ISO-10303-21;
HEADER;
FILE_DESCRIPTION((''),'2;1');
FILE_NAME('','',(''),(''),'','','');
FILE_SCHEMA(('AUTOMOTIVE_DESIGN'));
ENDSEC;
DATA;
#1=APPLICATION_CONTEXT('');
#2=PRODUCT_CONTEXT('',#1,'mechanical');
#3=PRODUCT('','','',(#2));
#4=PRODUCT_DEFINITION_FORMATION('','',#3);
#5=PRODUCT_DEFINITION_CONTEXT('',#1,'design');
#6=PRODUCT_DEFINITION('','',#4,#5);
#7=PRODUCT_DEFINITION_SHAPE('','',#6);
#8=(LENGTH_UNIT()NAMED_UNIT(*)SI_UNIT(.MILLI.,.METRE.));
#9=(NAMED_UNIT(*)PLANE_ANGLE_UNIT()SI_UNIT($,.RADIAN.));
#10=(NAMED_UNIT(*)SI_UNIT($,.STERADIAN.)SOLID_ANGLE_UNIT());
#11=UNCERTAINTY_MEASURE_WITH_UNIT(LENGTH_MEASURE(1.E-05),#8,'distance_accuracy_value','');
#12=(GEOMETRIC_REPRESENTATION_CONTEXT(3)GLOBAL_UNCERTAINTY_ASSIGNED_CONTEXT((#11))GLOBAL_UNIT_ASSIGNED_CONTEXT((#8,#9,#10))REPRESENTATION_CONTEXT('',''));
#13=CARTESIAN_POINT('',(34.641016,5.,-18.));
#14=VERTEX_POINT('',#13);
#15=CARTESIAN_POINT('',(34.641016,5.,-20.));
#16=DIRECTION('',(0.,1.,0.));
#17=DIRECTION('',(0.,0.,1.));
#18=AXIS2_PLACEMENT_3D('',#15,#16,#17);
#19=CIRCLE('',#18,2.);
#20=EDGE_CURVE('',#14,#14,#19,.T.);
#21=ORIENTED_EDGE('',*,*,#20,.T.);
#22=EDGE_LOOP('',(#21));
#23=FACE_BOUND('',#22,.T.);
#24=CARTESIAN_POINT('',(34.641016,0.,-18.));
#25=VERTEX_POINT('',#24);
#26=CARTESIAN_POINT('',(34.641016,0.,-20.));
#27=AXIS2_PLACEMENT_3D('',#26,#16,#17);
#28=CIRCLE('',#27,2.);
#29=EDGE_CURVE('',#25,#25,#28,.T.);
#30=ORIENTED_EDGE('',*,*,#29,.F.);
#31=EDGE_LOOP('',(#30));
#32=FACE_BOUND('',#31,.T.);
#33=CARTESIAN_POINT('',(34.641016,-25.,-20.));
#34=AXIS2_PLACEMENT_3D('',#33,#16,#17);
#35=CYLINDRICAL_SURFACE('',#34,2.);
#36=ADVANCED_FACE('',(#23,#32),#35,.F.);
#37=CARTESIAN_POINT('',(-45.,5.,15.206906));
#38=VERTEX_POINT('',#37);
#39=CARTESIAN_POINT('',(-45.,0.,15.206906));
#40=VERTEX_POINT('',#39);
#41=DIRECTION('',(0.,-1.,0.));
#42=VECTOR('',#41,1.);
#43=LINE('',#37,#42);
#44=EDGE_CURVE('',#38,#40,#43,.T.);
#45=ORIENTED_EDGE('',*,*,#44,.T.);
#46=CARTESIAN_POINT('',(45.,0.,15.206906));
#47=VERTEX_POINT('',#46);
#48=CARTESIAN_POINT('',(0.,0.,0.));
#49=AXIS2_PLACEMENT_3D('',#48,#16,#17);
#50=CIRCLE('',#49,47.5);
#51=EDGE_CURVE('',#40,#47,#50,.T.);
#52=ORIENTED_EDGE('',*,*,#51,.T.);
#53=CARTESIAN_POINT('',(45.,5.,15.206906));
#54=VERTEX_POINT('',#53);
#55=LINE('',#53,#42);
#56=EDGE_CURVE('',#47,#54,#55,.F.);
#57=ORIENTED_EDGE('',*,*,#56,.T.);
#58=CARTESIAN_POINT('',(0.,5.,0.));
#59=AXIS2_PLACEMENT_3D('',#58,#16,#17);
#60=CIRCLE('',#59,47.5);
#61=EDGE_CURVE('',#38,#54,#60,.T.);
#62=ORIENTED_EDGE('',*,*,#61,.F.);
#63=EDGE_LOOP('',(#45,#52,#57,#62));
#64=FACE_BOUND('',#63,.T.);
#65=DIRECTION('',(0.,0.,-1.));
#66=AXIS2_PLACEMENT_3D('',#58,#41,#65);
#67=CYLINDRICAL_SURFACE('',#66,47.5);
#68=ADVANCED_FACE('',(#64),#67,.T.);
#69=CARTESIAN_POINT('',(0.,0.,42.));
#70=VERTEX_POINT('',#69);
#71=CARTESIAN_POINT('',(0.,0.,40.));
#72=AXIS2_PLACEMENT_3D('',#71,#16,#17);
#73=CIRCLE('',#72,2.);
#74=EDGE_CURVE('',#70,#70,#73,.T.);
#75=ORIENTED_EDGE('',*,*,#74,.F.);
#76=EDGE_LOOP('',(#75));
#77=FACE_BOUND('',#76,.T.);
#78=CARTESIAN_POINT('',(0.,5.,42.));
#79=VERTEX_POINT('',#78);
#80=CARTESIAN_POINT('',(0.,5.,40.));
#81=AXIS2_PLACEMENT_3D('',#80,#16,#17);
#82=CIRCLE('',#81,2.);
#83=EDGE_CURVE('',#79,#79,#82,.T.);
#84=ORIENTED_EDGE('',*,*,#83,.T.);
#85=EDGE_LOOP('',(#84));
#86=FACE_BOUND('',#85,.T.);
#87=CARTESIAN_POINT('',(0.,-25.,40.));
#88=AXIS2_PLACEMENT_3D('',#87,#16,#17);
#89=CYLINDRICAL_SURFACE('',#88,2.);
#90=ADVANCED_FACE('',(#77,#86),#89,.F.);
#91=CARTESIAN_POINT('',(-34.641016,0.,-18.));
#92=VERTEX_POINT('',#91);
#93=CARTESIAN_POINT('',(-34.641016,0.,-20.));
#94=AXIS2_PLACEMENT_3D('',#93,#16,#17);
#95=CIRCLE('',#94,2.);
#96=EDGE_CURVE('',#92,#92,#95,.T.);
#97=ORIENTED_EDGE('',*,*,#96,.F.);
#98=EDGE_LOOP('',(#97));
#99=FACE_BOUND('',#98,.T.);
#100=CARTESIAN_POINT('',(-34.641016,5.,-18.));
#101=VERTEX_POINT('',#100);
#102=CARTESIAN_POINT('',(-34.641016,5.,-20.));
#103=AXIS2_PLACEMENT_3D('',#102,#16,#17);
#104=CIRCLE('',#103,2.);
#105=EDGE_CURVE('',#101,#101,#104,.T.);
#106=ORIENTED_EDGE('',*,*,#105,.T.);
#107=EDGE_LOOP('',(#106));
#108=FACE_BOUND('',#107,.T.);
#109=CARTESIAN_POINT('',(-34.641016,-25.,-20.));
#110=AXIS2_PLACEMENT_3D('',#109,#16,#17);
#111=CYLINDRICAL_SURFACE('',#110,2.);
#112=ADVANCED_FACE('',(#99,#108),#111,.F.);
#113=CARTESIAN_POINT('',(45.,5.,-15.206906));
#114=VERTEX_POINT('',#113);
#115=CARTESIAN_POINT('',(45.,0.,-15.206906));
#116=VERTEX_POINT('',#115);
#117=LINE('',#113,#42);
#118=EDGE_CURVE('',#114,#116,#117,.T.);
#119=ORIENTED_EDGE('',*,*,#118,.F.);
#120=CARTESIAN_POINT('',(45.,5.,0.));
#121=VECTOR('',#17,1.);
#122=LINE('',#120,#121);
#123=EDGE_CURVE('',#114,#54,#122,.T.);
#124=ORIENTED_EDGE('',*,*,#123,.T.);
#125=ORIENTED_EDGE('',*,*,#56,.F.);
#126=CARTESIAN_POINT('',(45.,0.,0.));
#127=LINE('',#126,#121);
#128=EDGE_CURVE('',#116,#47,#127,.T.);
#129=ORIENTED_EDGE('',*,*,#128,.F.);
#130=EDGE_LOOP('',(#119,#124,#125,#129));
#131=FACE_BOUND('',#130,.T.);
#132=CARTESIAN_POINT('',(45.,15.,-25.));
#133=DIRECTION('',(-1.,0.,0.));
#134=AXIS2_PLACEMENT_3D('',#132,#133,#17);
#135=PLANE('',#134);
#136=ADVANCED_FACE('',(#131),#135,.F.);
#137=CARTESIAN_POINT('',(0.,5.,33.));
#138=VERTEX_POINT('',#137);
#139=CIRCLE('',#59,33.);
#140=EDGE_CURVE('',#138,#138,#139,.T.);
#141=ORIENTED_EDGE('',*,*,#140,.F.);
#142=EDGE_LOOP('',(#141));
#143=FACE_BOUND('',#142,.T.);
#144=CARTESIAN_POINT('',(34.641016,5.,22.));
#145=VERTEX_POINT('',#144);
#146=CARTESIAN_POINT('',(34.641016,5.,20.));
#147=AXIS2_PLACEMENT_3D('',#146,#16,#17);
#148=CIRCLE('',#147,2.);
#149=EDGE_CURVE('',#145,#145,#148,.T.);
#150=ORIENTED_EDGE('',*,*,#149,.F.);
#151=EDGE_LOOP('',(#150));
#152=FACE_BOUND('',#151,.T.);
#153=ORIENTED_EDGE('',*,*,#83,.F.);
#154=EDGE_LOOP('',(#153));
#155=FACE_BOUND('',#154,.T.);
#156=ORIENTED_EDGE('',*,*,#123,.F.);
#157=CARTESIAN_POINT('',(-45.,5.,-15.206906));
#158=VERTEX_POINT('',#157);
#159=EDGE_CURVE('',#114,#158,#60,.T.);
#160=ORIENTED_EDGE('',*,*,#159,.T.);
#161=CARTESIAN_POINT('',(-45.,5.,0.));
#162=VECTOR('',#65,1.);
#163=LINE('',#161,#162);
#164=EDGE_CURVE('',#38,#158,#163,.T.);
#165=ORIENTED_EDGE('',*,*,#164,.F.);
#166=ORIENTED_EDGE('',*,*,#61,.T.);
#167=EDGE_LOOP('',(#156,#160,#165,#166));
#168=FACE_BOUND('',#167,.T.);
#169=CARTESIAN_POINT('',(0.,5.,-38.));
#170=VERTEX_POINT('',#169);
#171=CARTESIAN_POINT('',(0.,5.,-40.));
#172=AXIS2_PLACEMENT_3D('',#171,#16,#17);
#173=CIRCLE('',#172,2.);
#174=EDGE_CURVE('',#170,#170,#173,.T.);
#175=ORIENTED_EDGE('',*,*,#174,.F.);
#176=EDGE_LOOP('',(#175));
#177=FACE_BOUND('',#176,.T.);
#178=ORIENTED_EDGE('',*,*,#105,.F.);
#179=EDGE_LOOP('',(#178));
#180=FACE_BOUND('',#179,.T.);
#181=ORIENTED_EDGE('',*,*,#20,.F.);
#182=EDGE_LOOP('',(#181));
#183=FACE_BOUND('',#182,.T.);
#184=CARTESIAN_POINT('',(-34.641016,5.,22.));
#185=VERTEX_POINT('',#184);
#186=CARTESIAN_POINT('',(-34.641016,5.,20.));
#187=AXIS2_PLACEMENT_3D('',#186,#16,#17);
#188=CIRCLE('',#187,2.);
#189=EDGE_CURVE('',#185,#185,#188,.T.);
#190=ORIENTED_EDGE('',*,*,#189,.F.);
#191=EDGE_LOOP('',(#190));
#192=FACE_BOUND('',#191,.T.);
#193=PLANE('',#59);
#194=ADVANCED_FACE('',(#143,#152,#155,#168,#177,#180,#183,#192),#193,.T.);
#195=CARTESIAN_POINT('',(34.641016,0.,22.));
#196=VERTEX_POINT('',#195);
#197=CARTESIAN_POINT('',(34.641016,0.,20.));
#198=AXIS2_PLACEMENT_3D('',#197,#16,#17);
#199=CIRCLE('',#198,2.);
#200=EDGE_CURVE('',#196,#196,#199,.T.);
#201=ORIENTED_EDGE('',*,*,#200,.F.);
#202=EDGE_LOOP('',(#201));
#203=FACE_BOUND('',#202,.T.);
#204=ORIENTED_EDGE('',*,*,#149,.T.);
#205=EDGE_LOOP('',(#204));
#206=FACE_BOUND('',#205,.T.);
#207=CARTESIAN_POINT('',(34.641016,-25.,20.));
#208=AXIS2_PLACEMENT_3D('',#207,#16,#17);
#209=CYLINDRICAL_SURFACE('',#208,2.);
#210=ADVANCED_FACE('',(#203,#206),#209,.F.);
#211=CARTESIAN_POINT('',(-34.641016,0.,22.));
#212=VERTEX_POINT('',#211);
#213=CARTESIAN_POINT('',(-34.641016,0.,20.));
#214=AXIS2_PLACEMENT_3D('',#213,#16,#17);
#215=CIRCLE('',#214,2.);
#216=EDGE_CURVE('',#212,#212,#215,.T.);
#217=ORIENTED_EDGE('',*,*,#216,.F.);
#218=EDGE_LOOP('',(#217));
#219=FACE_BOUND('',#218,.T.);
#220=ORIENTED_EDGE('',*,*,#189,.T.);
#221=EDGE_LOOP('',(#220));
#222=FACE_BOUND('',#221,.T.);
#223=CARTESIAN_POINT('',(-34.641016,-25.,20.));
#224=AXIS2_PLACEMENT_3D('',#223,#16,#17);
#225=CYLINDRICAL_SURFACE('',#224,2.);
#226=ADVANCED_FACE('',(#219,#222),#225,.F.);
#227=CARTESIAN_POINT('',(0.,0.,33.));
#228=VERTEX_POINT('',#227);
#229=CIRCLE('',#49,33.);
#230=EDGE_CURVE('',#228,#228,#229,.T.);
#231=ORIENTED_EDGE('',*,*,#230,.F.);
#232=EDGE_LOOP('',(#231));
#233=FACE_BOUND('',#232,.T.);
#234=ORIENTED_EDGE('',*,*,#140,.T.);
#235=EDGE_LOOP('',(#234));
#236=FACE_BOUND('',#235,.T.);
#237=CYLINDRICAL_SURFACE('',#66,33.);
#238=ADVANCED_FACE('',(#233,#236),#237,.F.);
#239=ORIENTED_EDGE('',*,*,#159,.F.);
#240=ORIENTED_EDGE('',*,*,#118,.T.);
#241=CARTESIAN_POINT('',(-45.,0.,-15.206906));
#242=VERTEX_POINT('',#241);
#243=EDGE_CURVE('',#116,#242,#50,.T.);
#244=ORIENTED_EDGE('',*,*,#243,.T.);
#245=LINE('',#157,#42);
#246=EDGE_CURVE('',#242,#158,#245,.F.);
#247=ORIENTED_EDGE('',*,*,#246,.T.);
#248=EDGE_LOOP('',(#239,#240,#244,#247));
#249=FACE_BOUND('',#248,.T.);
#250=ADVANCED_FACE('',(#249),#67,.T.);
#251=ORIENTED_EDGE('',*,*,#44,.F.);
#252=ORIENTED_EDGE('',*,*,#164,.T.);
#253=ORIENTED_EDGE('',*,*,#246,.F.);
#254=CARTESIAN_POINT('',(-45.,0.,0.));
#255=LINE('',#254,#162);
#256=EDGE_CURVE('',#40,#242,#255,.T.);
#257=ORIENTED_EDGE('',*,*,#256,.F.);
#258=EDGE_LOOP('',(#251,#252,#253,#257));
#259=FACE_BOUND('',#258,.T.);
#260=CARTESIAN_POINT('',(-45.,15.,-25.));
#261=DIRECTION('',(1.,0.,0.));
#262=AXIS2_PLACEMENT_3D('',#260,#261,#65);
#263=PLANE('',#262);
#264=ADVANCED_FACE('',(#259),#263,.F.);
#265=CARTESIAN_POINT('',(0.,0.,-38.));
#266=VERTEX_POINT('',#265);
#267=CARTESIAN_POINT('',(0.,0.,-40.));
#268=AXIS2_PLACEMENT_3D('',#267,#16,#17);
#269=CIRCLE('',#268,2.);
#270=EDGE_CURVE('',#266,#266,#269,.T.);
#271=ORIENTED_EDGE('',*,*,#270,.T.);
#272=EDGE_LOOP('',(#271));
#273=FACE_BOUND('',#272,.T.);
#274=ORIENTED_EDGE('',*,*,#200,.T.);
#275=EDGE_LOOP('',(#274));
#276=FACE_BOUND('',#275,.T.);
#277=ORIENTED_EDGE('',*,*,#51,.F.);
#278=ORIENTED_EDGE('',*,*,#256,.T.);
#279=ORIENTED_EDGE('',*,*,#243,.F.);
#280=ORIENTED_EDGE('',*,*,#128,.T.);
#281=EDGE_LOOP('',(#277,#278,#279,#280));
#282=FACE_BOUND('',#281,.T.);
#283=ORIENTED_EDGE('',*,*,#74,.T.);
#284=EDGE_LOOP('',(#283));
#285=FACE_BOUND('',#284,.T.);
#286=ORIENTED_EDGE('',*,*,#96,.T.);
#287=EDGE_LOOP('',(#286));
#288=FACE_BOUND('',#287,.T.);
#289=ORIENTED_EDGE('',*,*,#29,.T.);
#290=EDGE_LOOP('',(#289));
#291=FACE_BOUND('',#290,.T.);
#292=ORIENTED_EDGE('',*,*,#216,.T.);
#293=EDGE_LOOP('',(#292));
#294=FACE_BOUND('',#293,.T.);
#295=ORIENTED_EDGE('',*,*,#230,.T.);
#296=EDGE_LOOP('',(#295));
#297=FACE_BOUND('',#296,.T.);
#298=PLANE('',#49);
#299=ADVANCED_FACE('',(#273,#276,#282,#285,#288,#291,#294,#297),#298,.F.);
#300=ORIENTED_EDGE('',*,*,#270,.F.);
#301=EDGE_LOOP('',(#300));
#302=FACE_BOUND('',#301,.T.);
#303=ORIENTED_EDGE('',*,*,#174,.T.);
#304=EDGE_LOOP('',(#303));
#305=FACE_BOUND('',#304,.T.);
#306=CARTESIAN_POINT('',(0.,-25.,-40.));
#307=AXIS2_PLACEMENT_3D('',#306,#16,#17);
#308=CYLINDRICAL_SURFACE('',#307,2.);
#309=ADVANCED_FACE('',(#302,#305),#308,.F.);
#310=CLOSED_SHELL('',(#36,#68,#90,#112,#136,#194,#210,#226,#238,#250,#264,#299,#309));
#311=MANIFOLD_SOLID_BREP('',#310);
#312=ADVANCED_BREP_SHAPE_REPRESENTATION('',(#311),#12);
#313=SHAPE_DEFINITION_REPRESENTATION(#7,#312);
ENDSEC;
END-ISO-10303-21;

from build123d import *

# Parameters (mm, degrees)
SKETCH_1_R               = 47.5
SKETCH_1_R_2             = 33
EXTRUDE_1_DEPTH          = 5
SKETCH_2_W               = 10
SKETCH_2_H               = 20
CUT_EXTRUDE_1_DEPTH      = 25
SKETCH_3_R               = 2
CUT_EXTRUDE_2_DEPTH      = 25
PATTERN_CIRCULAR_1_COUNT = 3


with BuildPart() as part:
    # Эскиз1 → Бобышка-Вытянуть1 (new body)
    with BuildSketch(Plane(origin=(0, 0, 0), x_dir=(1, 0, 0), z_dir=(0, 1, 0))):
        with Locations(Location((0, 0, 0), (0, 0, 270))):
            Circle(SKETCH_1_R)
        with Locations(Location((0, 0, 0), (0, 0, 270))):
            Circle(SKETCH_1_R_2, mode=Mode.SUBTRACT)
    extrude(amount=EXTRUDE_1_DEPTH)

    # Эскиз2 → Вырез-Вытянуть1 (cut, symmetric)
    with BuildSketch(Plane.XY):
        with Locations((-50, 5)):
            Rectangle(SKETCH_2_W, SKETCH_2_H)
        with Locations((50, 5)):
            Rectangle(SKETCH_2_W, SKETCH_2_H)
    extrude(amount=CUT_EXTRUDE_1_DEPTH, both=True, mode=Mode.SUBTRACT)

    # Эскиз3 → Вырез-Вытянуть2 (cut, symmetric)
    with BuildSketch(Plane(origin=(0, 0, 0), x_dir=(1, 0, 0), z_dir=(0, 1, 0))):
        with Locations(Location((0, 40, 0), (0, 0, 270))):
            Circle(SKETCH_3_R)
        with Locations(Location((0, -40, 0), (0, 0, 270))):
            Circle(SKETCH_3_R)
    cut_extrude_2 = extrude(amount=CUT_EXTRUDE_2_DEPTH, both=True, mode=Mode.SUBTRACT)

    # Круговой массив1: Вырез-Вытянуть2 ×3 about axis
    pattern_circular_1_axis = Axis((0, 0, 0), (0, 1, 0))
    for i in range(1, PATTERN_CIRCULAR_1_COUNT):
        add(cut_extrude_2.rotate(pattern_circular_1_axis, i * 360 / PATTERN_CIRCULAR_1_COUNT), mode=Mode.SUBTRACT)


solid = part.part
